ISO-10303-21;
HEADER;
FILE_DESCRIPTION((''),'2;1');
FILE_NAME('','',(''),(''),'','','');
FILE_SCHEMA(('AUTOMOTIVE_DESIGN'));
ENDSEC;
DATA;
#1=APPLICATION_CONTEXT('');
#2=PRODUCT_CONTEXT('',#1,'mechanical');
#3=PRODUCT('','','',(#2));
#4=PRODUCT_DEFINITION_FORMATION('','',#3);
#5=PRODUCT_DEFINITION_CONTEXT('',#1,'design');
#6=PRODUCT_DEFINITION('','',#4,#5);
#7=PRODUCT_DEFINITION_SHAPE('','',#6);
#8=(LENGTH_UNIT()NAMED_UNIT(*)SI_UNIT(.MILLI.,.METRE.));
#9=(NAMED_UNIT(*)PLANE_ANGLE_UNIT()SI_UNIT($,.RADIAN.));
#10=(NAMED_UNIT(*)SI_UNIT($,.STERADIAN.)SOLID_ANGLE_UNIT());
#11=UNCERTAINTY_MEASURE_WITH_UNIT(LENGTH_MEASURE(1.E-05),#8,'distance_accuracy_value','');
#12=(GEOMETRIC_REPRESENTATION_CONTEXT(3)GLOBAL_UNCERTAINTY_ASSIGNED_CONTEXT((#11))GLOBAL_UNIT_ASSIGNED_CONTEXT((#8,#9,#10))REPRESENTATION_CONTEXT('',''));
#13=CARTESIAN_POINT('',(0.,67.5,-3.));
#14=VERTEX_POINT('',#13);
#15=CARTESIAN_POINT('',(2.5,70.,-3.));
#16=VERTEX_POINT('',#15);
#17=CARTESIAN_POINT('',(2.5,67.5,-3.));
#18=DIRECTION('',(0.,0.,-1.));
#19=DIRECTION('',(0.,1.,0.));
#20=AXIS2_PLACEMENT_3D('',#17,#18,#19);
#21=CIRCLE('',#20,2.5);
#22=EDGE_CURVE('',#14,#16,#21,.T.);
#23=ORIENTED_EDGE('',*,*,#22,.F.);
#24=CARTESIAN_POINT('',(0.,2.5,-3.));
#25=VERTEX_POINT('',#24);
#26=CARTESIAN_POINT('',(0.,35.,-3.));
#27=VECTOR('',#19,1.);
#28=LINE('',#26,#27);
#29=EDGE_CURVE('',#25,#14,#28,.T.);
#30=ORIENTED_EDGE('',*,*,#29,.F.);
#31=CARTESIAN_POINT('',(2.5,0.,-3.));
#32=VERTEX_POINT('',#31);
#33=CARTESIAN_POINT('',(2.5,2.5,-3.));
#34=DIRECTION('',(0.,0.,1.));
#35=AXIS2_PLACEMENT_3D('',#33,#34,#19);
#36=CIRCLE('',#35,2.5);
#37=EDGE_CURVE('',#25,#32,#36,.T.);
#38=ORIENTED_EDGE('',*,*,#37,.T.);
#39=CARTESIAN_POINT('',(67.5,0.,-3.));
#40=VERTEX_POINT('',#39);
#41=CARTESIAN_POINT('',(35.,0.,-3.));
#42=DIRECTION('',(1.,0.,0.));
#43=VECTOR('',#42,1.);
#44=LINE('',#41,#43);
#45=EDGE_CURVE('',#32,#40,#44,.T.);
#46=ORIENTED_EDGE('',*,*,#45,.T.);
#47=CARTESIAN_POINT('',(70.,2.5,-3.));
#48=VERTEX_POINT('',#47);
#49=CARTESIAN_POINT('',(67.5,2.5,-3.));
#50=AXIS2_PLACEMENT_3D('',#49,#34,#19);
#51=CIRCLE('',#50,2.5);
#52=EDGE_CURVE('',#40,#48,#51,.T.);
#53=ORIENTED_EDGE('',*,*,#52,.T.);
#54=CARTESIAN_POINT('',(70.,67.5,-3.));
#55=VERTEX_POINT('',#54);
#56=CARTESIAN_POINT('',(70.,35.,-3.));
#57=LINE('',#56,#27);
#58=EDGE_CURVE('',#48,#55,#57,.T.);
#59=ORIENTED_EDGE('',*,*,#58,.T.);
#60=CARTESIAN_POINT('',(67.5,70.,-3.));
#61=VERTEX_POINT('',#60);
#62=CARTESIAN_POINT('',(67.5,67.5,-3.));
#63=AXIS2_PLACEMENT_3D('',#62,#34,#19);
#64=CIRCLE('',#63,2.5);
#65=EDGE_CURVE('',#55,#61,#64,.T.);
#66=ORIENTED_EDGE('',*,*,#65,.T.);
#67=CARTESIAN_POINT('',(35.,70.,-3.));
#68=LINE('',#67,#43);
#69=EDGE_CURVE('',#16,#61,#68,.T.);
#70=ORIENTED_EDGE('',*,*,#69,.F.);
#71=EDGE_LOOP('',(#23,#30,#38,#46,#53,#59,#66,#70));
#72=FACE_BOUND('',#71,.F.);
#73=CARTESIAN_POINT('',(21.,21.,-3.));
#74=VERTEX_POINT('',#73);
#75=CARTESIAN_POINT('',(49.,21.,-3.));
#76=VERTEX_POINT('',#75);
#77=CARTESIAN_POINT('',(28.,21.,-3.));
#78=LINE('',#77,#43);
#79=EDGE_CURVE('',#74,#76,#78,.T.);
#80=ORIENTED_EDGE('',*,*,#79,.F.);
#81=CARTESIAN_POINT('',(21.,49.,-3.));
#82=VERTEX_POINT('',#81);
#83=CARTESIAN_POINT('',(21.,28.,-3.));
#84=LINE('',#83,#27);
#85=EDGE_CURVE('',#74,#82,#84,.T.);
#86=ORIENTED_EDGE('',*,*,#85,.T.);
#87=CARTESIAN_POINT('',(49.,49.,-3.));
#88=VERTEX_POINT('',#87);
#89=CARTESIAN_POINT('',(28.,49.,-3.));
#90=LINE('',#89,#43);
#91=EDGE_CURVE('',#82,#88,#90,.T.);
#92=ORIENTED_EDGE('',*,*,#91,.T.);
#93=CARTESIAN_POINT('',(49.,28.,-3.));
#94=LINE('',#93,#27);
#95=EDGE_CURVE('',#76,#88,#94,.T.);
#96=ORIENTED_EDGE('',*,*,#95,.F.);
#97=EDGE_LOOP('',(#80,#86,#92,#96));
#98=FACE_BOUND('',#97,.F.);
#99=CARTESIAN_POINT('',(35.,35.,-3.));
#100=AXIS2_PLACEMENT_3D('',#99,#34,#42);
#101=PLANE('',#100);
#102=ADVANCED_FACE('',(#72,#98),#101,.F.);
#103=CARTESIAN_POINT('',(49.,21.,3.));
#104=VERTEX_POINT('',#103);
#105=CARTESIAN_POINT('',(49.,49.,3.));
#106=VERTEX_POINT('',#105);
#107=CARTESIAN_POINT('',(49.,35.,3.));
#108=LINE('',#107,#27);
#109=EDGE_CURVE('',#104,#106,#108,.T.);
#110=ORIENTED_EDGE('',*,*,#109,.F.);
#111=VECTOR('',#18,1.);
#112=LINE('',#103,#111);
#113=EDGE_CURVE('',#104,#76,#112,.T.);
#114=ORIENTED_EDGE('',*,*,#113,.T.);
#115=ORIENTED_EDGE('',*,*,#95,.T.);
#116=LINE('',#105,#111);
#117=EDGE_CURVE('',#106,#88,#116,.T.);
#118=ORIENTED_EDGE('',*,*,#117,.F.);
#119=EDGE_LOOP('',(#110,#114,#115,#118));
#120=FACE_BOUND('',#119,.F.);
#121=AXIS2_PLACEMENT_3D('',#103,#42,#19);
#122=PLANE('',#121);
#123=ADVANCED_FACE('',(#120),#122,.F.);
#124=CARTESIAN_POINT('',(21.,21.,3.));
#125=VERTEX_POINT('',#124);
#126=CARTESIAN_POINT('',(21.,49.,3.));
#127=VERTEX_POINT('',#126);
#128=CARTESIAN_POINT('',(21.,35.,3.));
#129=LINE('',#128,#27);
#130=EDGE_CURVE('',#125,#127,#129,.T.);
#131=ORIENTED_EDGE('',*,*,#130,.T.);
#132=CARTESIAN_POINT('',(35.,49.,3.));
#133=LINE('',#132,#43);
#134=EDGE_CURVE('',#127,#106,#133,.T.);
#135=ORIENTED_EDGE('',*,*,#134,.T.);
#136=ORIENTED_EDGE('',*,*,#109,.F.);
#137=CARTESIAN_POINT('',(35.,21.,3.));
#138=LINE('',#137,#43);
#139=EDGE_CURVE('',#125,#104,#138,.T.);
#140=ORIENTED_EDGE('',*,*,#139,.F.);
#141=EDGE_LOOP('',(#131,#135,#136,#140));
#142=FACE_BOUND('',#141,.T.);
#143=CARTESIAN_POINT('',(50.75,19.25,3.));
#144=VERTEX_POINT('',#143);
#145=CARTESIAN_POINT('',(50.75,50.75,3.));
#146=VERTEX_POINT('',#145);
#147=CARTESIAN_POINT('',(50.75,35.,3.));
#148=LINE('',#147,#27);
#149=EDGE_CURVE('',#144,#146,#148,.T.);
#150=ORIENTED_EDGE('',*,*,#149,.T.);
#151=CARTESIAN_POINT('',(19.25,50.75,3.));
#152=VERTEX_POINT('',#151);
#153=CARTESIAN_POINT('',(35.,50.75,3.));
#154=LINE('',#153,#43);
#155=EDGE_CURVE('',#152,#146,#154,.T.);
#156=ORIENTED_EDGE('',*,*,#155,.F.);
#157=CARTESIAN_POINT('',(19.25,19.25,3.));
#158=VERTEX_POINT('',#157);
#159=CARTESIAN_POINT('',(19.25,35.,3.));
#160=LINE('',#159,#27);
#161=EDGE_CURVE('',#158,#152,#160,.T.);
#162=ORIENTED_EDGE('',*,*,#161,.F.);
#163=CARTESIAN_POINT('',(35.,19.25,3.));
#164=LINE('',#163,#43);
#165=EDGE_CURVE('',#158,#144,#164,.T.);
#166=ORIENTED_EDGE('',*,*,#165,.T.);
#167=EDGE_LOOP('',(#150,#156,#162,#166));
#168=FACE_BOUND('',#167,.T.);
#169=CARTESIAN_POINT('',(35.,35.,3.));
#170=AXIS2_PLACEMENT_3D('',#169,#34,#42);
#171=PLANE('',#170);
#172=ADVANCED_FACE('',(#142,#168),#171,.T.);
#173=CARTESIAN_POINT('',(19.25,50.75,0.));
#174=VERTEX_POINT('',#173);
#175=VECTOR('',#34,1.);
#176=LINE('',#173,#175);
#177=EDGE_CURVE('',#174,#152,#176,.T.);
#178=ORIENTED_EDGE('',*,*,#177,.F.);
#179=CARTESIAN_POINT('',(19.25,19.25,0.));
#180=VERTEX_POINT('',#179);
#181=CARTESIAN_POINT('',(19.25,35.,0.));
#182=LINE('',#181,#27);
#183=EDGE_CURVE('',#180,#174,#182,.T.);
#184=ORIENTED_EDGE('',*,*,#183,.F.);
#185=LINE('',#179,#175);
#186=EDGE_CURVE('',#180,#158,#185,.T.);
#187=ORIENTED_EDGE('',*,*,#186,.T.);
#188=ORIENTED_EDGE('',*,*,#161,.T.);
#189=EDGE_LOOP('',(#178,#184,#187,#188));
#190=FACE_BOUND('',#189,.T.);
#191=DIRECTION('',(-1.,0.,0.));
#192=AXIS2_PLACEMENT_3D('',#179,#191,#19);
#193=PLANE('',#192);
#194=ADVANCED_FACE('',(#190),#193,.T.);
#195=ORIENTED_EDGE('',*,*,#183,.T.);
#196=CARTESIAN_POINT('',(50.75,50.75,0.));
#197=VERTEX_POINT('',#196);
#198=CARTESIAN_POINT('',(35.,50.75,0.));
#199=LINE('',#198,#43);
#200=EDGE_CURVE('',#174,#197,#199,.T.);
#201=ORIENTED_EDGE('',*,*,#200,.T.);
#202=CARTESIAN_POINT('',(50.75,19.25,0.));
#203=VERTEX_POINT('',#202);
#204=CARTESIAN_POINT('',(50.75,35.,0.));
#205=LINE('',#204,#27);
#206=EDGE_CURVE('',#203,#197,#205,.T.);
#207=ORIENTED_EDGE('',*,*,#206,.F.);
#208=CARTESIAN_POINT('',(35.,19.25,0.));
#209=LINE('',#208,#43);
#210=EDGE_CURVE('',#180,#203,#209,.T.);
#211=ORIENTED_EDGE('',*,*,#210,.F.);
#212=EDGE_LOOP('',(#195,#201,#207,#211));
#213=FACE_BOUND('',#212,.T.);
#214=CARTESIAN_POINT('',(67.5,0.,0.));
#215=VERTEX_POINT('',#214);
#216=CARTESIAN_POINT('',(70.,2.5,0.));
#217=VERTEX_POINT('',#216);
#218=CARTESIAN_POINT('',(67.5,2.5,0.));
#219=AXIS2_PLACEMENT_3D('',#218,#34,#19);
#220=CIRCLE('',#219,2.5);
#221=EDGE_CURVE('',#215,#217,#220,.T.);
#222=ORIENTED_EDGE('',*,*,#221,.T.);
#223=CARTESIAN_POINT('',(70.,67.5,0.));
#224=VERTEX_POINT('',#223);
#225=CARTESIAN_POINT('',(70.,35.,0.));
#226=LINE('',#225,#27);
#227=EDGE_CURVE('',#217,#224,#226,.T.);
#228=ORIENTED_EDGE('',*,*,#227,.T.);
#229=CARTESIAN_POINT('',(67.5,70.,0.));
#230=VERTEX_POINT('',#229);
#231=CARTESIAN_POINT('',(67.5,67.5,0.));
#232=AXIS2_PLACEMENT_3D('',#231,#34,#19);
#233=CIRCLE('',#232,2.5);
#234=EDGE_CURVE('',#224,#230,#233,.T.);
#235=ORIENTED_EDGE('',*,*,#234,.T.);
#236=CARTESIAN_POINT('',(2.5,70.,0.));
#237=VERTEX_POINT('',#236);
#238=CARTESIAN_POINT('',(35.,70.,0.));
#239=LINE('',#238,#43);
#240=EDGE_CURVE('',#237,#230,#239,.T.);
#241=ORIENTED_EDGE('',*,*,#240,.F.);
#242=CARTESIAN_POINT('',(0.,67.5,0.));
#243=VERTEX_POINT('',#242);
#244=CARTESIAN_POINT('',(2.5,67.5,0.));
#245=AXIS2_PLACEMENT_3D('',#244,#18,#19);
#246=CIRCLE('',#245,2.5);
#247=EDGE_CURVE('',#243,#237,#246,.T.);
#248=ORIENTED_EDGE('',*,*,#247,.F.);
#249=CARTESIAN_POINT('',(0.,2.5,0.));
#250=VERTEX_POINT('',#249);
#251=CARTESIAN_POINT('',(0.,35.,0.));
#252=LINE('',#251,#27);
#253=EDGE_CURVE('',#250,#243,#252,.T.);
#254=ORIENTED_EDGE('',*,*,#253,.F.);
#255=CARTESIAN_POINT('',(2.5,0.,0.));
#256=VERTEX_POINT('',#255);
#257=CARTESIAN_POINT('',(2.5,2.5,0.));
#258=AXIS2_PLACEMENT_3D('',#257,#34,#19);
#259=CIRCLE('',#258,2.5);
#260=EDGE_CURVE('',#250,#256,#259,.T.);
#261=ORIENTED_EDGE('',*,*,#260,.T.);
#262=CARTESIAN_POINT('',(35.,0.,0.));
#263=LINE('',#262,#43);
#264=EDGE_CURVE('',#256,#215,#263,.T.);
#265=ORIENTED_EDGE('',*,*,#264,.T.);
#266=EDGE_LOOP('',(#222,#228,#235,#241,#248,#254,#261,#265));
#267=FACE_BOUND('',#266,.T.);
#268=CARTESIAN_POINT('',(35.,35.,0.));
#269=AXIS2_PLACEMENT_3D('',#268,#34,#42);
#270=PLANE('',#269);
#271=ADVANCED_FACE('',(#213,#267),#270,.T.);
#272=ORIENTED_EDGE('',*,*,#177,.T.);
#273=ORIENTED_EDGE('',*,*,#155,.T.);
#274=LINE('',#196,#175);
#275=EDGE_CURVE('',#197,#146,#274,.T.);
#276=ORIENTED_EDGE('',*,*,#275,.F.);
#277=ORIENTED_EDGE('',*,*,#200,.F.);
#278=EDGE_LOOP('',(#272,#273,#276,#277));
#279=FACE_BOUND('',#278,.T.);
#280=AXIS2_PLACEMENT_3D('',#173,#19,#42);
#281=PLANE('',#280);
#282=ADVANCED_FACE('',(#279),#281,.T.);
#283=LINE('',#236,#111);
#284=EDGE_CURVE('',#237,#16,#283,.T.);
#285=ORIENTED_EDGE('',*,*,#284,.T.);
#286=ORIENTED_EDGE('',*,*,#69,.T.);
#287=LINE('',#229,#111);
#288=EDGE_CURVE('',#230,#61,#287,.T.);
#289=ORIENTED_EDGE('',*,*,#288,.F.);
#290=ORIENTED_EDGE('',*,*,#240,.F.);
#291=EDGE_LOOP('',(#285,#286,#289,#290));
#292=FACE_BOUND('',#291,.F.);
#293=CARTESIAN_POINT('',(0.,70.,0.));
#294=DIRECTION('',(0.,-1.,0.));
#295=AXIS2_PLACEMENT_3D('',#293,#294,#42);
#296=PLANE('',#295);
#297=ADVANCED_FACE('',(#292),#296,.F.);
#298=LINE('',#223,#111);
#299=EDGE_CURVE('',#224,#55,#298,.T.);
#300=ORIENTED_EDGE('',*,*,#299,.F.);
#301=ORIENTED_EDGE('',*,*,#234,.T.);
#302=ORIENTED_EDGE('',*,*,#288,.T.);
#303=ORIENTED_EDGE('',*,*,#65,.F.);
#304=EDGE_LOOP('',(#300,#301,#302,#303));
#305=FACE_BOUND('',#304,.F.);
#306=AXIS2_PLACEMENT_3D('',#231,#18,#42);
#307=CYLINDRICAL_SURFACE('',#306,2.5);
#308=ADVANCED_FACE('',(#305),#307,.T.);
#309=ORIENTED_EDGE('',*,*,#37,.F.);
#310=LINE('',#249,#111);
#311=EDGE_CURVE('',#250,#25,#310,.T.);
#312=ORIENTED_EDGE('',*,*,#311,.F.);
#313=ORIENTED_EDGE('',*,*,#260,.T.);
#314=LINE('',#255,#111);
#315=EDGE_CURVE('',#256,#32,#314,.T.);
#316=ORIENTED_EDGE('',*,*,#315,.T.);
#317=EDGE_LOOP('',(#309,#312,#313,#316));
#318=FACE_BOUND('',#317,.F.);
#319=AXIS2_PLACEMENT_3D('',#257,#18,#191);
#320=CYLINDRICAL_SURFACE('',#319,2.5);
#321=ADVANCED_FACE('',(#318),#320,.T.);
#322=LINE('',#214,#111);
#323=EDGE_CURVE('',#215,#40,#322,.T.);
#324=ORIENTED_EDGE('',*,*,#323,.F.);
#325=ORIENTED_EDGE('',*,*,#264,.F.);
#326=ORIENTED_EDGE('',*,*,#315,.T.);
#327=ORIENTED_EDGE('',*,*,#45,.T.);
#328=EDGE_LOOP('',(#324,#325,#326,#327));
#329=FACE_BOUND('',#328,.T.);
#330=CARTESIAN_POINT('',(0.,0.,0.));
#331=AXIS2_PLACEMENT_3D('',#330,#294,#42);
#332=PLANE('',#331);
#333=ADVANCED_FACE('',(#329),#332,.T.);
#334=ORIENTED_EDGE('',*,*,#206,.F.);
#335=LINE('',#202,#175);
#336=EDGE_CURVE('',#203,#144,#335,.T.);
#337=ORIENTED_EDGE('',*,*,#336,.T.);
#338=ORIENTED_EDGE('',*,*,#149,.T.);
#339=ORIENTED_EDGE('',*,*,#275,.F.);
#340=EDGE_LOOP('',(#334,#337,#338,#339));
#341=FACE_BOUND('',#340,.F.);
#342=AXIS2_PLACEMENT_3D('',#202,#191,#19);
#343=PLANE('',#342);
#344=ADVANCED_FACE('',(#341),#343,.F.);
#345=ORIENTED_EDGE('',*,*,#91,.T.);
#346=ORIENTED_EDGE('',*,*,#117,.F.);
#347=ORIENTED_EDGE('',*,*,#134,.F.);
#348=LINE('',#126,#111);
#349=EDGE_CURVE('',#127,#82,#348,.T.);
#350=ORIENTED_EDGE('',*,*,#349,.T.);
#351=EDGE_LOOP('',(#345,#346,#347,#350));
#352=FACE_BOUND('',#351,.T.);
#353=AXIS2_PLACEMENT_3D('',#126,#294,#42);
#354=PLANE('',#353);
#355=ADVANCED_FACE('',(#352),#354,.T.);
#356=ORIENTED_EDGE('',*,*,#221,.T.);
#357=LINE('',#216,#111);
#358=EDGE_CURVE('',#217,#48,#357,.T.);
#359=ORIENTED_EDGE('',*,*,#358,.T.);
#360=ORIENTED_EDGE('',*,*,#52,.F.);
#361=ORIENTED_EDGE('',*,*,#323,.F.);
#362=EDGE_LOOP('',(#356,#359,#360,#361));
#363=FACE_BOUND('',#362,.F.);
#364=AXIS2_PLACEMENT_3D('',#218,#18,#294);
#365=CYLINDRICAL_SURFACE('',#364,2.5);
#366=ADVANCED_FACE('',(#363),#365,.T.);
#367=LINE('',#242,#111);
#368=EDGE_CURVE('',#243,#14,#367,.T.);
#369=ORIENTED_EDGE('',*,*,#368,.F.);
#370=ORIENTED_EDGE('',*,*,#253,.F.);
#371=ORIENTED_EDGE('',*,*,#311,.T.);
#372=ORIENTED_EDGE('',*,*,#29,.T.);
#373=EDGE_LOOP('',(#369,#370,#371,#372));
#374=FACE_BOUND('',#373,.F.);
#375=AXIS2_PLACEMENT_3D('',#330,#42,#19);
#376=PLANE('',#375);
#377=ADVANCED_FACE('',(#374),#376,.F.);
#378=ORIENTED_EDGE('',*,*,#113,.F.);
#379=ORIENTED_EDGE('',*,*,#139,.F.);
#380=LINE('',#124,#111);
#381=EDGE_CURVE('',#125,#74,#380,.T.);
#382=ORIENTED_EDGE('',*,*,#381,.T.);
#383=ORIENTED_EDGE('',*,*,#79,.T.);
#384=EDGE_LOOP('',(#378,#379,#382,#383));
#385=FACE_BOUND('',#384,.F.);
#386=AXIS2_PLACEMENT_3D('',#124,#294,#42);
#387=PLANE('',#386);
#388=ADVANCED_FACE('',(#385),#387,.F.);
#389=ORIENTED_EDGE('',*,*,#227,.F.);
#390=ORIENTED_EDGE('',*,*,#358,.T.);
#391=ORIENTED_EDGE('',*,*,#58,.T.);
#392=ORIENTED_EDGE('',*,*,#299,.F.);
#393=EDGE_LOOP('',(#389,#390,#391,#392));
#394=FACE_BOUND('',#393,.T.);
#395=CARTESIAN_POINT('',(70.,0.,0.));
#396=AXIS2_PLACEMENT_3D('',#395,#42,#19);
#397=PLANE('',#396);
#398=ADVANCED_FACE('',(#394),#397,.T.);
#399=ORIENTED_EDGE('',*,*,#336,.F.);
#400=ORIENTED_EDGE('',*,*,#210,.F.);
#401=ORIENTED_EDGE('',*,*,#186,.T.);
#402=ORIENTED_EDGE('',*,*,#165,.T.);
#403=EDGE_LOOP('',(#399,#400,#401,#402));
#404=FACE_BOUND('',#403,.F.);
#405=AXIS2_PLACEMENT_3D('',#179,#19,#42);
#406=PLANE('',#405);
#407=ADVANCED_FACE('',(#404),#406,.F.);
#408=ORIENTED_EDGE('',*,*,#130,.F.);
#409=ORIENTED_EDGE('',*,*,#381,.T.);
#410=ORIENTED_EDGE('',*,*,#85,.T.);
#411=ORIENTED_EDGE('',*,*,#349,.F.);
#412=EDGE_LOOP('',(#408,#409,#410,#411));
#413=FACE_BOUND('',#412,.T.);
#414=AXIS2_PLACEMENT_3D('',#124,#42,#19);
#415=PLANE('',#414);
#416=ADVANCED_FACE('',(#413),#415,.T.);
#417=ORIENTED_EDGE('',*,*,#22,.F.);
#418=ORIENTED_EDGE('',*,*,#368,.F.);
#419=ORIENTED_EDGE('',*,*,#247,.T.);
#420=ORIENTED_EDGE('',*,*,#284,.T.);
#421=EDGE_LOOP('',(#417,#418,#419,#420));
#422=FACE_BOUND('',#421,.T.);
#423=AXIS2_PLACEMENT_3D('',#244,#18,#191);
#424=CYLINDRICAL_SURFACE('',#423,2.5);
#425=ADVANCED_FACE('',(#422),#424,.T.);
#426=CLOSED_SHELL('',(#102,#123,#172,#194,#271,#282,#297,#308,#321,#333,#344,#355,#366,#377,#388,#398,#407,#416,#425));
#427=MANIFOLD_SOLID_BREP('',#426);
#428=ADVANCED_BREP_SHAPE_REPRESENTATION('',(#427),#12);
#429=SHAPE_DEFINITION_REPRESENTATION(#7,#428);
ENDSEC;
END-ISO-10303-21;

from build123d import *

# Parameters (mm, degrees)
SKETCH001_W  = 70
SKETCH001_H  = 70
PAD001_DEPTH = 3
FILLET001_R  = 2.5
SKETCH002_W  = 31.5
SKETCH002_H  = 31.5
PAD002_DEPTH = 3
SKETCH003_W  = 28
SKETCH003_H  = 28
POCKET_DEPTH = 6.001


with BuildPart() as part:
    # Sketch001 → Pad001 (new body)
    with BuildSketch(Plane.XY):
        with Locations((35, 35)):
            Rectangle(SKETCH001_W, SKETCH001_H)
    extrude(amount=-PAD001_DEPTH)

    # Fillet001
    fillet001_edges = [part.edges().sort_by_distance(p)[0] for p in [
        (70, 70, -1.5),
        (0, 70, -1.5),
        (70, 0, -1.5),
        (0, 0, -1.5),
    ]]
    fillet(fillet001_edges, radius=FILLET001_R)

    # Sketch002 (on Face2 of Fillet001) → Pad002 (join)
    with BuildSketch(Plane.XY):
        with Locations((35, 35)):
            Rectangle(SKETCH002_W, SKETCH002_H)
    extrude(amount=PAD002_DEPTH)

    # Sketch003 (on Face15 of Pad002) → Pocket (cut, through all)
    with BuildSketch(Plane.XY.offset(3)):
        with Locations((35, 35)):
            Rectangle(SKETCH003_W, SKETCH003_H)
    extrude(amount=-POCKET_DEPTH, mode=Mode.SUBTRACT)


solid = part.part
